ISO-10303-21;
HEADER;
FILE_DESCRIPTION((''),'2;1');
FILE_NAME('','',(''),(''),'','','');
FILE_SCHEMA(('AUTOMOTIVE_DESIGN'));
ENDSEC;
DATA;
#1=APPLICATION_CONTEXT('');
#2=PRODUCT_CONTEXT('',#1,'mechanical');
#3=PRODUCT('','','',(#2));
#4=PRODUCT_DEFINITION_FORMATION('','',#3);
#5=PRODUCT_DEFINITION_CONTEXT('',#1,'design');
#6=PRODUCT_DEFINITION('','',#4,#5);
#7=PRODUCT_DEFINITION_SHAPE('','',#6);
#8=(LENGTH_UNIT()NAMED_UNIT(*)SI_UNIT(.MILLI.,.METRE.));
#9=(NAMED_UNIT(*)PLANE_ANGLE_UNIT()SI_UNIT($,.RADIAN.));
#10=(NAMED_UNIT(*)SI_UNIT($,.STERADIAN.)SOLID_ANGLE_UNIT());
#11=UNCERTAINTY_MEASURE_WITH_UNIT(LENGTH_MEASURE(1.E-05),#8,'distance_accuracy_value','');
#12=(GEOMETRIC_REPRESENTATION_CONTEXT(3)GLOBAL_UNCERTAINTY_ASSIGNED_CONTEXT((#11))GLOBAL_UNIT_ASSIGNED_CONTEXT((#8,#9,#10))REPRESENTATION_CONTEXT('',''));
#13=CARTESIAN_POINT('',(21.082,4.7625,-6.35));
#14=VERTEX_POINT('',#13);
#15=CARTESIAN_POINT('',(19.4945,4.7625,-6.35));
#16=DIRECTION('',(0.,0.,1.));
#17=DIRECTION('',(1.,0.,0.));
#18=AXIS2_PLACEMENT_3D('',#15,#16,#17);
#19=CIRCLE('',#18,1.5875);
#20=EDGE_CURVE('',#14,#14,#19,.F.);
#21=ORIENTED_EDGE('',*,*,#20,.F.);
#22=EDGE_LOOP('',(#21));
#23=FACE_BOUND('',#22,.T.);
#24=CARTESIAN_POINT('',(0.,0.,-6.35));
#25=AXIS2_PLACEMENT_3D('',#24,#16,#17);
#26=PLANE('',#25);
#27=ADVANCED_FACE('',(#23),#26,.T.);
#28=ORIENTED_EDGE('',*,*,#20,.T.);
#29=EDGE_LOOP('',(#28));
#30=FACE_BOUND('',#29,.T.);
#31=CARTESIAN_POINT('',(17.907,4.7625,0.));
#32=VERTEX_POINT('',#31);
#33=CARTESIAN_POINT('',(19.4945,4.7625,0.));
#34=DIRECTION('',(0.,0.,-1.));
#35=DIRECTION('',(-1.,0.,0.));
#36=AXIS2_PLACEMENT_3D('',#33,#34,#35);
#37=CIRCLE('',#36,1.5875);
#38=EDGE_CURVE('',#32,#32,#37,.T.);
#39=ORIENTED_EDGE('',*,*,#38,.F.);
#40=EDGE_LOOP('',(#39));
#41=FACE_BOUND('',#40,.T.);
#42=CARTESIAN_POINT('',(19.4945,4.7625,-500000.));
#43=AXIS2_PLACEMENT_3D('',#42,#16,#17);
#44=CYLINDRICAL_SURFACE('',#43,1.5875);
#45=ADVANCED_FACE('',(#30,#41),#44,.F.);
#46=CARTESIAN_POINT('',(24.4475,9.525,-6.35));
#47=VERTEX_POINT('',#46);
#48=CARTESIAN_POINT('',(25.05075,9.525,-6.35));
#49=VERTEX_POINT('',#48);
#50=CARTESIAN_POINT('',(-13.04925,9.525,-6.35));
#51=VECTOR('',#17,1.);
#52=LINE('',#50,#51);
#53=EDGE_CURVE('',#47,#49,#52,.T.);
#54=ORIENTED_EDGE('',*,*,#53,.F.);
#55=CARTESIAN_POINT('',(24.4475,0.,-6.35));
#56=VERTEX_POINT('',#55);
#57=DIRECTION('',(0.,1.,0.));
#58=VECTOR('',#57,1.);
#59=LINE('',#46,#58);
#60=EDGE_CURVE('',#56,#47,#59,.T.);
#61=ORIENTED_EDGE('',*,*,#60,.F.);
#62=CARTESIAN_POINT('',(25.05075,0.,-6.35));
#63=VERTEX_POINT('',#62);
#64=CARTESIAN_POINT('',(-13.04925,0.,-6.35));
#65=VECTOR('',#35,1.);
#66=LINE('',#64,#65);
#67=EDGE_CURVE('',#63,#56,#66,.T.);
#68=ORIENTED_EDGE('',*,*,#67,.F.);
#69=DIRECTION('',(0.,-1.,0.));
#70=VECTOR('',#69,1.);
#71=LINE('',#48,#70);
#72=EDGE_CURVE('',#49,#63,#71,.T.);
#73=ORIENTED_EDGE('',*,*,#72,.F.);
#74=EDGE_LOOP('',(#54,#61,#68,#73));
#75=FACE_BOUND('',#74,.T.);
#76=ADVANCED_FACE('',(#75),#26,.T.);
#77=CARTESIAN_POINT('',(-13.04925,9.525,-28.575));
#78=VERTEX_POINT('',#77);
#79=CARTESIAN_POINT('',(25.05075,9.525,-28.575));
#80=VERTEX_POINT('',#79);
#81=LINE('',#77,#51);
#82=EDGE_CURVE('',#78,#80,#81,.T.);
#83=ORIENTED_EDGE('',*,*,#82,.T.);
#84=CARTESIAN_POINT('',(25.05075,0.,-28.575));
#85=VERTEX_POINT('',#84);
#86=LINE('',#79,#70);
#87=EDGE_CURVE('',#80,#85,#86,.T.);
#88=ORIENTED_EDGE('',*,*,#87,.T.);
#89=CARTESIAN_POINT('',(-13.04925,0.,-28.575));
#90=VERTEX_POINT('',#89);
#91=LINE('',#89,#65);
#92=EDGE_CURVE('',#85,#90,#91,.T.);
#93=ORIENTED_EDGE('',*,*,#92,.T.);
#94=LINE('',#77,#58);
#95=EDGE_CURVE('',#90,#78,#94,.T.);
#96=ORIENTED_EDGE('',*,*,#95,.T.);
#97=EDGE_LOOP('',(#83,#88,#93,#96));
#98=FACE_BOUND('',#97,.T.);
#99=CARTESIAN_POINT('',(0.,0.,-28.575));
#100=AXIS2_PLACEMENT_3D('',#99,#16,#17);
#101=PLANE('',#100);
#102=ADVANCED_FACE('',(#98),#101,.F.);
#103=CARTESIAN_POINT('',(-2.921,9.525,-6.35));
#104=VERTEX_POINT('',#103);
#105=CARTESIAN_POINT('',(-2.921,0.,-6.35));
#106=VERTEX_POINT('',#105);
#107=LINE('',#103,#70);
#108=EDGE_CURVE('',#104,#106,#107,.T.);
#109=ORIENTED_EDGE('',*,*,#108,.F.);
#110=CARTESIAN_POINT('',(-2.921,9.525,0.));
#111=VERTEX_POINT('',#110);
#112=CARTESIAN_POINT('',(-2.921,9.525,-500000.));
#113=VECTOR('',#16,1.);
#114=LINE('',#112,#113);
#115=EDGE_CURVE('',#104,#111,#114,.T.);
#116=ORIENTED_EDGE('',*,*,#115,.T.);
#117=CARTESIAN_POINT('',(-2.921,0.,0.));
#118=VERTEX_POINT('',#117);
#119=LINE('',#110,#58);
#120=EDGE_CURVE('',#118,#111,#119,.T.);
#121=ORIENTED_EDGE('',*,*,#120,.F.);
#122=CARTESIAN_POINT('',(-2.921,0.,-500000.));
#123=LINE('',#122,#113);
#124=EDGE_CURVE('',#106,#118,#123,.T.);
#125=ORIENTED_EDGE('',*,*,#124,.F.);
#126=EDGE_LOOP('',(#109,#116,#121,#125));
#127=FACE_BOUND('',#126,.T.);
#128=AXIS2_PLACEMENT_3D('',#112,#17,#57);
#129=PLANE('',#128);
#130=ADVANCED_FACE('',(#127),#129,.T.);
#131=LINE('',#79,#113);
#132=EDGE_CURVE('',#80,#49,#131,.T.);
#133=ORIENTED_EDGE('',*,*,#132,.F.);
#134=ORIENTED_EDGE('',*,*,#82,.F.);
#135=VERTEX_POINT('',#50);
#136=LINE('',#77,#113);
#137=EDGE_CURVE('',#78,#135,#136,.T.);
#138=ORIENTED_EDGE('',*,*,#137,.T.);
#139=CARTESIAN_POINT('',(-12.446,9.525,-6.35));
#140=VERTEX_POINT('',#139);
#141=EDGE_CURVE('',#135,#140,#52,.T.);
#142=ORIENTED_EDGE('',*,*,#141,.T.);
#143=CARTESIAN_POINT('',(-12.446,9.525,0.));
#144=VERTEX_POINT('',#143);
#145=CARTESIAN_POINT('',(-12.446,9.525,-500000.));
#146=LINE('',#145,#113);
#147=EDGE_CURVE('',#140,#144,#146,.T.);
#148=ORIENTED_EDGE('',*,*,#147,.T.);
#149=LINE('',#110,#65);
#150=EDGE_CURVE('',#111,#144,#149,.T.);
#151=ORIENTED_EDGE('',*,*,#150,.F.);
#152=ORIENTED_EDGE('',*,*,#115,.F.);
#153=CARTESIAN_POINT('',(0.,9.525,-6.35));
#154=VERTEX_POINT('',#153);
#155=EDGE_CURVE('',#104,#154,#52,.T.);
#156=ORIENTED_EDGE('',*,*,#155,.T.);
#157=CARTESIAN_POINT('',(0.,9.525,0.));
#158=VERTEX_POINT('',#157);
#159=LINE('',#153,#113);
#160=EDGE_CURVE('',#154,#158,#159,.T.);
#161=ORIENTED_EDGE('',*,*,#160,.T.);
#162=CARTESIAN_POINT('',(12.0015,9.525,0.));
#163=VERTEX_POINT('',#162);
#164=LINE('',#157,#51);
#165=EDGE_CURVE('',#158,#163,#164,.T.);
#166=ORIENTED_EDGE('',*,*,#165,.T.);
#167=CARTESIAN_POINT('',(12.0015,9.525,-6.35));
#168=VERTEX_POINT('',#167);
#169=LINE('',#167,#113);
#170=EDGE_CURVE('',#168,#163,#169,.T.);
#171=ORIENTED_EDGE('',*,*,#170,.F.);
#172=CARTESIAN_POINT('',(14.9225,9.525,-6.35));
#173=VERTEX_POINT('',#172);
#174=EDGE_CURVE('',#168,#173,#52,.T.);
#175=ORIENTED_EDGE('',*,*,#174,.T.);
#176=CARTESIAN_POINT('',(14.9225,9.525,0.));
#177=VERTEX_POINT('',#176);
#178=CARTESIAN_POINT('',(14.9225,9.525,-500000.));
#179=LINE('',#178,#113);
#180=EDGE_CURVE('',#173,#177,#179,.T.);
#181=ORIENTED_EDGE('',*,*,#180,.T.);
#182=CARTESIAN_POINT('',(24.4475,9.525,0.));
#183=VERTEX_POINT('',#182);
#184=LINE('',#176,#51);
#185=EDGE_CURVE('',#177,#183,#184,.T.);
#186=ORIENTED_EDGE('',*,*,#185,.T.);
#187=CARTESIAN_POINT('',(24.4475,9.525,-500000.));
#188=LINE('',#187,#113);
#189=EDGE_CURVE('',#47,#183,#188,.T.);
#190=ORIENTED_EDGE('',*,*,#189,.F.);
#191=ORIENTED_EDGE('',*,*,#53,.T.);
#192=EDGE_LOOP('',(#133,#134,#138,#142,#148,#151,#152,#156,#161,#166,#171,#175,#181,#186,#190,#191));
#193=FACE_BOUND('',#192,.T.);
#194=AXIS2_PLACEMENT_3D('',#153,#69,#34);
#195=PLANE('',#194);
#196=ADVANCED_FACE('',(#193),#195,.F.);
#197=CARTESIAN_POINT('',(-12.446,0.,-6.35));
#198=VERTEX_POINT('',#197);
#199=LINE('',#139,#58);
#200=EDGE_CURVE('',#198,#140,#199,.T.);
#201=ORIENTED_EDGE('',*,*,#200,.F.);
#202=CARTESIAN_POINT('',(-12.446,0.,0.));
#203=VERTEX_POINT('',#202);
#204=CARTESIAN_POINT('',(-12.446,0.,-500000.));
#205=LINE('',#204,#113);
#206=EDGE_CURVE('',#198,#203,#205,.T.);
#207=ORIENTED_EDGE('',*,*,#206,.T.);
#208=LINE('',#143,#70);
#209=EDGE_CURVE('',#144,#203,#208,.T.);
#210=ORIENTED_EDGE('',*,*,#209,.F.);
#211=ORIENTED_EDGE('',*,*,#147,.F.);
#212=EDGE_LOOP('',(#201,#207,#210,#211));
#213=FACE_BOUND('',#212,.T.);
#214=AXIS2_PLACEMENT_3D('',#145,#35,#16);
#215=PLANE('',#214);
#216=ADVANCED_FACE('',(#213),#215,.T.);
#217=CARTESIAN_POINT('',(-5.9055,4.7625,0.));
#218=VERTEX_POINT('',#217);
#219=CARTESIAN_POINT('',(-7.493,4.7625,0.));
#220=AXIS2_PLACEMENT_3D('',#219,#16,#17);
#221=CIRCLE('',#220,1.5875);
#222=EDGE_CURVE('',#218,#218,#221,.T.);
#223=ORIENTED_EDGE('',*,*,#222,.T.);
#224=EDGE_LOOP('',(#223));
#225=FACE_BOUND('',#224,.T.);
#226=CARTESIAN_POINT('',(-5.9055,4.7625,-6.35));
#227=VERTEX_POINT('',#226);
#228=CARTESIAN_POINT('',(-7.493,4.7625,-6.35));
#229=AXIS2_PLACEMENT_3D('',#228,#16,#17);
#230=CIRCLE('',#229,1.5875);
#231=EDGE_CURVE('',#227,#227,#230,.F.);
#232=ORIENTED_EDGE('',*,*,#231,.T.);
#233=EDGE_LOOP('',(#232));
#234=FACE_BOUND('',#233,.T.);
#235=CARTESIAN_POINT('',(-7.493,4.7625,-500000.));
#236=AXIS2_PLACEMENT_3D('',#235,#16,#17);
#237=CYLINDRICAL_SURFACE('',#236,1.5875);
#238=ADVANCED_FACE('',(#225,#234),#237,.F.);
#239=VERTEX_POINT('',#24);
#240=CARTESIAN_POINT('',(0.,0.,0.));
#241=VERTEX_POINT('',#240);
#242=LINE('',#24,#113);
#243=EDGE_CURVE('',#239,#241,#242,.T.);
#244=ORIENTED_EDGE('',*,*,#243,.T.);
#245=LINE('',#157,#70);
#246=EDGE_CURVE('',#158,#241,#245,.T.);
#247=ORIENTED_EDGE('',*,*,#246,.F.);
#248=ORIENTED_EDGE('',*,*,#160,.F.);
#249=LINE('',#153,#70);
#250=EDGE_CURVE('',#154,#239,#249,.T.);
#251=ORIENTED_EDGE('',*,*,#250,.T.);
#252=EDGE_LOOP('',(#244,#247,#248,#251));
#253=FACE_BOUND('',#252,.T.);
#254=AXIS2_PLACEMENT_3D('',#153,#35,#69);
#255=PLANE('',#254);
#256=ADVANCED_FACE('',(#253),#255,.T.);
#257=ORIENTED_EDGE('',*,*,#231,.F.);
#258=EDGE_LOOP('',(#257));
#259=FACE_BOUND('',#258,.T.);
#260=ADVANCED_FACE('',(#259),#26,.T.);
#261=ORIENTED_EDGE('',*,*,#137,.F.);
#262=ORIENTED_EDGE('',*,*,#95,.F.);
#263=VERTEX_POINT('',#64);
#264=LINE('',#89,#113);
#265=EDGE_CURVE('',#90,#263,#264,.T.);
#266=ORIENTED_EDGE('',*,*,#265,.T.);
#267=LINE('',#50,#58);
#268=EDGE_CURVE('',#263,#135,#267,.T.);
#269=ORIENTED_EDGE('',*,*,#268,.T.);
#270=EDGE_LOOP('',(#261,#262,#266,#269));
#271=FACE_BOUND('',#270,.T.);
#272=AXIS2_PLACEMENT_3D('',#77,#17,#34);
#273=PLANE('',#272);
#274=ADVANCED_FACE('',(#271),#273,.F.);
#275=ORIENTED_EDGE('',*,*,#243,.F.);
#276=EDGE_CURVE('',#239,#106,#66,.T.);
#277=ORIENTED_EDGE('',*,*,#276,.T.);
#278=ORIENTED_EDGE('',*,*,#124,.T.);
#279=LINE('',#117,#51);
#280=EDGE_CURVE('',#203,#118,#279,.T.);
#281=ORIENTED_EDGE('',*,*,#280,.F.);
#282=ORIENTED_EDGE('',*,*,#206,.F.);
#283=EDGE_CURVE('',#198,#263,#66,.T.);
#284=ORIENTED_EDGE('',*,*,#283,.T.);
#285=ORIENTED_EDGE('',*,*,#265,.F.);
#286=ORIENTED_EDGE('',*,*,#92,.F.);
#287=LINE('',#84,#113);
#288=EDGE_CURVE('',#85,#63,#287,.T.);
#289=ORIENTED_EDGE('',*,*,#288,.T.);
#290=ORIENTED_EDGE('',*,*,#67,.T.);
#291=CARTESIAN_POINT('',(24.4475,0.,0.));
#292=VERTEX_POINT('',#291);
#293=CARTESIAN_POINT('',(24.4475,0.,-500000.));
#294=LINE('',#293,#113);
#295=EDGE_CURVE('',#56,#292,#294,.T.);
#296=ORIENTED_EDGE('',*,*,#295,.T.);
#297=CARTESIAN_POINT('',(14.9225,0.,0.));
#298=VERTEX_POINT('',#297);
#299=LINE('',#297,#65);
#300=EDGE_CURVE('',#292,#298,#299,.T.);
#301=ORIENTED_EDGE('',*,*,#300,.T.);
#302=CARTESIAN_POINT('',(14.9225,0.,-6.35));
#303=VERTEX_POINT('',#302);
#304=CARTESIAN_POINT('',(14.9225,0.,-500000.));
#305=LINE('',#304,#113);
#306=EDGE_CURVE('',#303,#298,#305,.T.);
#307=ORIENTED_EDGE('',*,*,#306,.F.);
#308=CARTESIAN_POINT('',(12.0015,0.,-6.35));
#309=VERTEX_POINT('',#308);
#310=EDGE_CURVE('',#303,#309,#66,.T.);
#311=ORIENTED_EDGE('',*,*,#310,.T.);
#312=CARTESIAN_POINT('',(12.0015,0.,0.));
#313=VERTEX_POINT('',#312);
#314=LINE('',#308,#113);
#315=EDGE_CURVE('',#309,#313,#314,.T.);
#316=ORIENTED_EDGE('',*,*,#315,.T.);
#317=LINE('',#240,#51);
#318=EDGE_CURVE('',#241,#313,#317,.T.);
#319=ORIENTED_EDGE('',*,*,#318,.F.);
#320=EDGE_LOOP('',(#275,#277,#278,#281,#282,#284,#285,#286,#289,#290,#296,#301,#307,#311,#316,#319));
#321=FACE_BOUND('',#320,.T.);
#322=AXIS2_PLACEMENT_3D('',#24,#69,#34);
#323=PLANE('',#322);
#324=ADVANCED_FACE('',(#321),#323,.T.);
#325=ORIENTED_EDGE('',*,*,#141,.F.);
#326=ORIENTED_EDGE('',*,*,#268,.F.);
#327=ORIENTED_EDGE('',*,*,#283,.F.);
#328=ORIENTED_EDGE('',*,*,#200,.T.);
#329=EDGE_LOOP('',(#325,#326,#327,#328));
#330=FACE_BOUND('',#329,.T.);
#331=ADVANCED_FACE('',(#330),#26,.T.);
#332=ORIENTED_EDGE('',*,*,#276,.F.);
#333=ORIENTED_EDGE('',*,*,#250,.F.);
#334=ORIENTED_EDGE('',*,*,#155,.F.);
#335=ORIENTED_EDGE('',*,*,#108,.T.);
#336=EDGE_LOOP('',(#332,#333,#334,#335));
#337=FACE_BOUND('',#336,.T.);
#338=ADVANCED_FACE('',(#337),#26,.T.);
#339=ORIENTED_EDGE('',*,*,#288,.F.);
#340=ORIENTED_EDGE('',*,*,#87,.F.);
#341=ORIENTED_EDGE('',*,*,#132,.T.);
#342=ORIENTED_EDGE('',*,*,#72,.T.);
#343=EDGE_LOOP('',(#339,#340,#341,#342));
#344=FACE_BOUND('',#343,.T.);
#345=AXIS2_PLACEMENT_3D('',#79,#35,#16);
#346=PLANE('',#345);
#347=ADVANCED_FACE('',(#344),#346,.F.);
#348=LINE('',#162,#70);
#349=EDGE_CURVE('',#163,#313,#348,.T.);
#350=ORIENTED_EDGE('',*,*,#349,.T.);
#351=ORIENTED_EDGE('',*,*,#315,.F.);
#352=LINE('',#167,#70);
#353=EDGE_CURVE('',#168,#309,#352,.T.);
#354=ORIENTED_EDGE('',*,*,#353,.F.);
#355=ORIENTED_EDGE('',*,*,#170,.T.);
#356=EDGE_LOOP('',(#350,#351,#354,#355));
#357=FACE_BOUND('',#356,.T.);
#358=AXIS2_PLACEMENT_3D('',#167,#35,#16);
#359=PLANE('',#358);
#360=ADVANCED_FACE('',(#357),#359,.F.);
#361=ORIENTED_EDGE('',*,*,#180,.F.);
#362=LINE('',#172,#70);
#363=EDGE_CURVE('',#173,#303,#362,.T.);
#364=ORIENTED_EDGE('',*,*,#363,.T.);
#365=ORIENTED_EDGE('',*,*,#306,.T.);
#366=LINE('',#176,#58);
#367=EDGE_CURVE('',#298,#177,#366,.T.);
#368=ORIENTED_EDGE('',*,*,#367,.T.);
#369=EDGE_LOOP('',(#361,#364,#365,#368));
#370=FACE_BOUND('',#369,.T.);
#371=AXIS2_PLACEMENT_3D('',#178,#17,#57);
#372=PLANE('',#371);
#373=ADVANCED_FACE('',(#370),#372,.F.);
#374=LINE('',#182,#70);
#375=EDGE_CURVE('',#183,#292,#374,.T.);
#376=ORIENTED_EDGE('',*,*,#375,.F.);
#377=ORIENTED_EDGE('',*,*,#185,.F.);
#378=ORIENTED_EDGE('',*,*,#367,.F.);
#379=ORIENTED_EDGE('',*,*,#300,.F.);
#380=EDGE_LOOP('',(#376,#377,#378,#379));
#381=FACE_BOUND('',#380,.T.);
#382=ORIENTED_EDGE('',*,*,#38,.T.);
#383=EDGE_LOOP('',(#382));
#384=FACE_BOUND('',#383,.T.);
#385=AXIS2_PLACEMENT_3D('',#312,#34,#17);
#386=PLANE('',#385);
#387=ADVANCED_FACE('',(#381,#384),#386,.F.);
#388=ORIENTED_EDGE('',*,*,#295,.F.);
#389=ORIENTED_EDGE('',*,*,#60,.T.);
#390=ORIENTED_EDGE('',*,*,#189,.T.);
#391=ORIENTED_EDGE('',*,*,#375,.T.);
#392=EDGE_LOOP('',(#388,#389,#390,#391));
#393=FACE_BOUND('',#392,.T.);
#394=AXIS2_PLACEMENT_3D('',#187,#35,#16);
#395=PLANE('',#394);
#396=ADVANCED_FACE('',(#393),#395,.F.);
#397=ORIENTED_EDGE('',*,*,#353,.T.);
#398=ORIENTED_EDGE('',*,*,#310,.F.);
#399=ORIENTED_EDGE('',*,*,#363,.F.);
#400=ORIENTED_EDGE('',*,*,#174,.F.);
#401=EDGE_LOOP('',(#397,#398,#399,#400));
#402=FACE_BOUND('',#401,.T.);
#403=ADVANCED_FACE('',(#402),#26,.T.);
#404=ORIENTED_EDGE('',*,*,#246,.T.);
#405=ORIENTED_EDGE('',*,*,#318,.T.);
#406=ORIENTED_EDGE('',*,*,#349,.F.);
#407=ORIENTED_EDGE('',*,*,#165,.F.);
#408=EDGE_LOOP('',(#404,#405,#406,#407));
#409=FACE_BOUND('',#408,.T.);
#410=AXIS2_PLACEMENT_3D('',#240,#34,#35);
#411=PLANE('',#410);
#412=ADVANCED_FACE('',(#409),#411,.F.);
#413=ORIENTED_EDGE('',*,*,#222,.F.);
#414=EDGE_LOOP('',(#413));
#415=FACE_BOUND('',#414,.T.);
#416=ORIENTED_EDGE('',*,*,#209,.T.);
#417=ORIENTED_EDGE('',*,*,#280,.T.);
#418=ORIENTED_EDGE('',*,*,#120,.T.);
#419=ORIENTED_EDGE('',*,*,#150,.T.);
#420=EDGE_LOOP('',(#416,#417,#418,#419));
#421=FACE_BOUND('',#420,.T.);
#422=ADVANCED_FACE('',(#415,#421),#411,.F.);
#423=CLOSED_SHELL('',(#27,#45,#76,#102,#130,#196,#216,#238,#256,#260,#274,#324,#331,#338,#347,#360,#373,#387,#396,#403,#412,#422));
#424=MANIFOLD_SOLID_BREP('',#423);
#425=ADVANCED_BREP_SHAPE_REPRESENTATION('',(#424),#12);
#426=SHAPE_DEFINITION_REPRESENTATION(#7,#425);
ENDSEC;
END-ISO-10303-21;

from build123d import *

# Parameters (mm, degrees)
SKETCH1_W           = 12.0015
SKETCH1_H           = 9.525
BOSS_EXTRUDE3_DEPTH = 6.35
SKETCH4_W           = 38.1
SKETCH4_H           = 9.525
BOSS_EXTRUDE4_DEPTH = 22.225
SKETCH2_W           = 9.525
SKETCH2_H           = 9.525
SKETCH2_R           = 1.5875
BOSS_EXTRUDE5_DEPTH = 6.35


with BuildPart() as part:
    # Sketch1 → Boss-Extrude3 (new body)
    with BuildSketch(Plane.XY):
        with Locations((6.00075, 4.7625)):
            Rectangle(SKETCH1_W, SKETCH1_H)
    extrude(amount=-BOSS_EXTRUDE3_DEPTH)

    # Sketch4 → Boss-Extrude4 (add)
    with BuildSketch(Plane(origin=(0, 0, -6.35), x_dir=(-1, 0, 0), z_dir=(0, 0, -1))):
        with Locations((-6.00075, 4.7625)):
            Rectangle(SKETCH4_W, SKETCH4_H)
    extrude(amount=BOSS_EXTRUDE4_DEPTH)

    # Sketch2 → Boss-Extrude5 (add)
    with BuildSketch(Plane.XY):
        with Locations((-7.6835, 4.7625)):
            Rectangle(SKETCH2_W, SKETCH2_H)
        with Locations((-7.493, 4.7625)):
            Circle(SKETCH2_R, mode=Mode.SUBTRACT)
    boss_extrude5 = extrude(amount=-BOSS_EXTRUDE5_DEPTH)

    # Mirror8: Boss-Extrude5 across plane
    add(boss_extrude5.mirror(Plane(origin=(6.00075, 0, 0), x_dir=(0, 0, 1), z_dir=(1, 0, 0))))


solid = part.part
